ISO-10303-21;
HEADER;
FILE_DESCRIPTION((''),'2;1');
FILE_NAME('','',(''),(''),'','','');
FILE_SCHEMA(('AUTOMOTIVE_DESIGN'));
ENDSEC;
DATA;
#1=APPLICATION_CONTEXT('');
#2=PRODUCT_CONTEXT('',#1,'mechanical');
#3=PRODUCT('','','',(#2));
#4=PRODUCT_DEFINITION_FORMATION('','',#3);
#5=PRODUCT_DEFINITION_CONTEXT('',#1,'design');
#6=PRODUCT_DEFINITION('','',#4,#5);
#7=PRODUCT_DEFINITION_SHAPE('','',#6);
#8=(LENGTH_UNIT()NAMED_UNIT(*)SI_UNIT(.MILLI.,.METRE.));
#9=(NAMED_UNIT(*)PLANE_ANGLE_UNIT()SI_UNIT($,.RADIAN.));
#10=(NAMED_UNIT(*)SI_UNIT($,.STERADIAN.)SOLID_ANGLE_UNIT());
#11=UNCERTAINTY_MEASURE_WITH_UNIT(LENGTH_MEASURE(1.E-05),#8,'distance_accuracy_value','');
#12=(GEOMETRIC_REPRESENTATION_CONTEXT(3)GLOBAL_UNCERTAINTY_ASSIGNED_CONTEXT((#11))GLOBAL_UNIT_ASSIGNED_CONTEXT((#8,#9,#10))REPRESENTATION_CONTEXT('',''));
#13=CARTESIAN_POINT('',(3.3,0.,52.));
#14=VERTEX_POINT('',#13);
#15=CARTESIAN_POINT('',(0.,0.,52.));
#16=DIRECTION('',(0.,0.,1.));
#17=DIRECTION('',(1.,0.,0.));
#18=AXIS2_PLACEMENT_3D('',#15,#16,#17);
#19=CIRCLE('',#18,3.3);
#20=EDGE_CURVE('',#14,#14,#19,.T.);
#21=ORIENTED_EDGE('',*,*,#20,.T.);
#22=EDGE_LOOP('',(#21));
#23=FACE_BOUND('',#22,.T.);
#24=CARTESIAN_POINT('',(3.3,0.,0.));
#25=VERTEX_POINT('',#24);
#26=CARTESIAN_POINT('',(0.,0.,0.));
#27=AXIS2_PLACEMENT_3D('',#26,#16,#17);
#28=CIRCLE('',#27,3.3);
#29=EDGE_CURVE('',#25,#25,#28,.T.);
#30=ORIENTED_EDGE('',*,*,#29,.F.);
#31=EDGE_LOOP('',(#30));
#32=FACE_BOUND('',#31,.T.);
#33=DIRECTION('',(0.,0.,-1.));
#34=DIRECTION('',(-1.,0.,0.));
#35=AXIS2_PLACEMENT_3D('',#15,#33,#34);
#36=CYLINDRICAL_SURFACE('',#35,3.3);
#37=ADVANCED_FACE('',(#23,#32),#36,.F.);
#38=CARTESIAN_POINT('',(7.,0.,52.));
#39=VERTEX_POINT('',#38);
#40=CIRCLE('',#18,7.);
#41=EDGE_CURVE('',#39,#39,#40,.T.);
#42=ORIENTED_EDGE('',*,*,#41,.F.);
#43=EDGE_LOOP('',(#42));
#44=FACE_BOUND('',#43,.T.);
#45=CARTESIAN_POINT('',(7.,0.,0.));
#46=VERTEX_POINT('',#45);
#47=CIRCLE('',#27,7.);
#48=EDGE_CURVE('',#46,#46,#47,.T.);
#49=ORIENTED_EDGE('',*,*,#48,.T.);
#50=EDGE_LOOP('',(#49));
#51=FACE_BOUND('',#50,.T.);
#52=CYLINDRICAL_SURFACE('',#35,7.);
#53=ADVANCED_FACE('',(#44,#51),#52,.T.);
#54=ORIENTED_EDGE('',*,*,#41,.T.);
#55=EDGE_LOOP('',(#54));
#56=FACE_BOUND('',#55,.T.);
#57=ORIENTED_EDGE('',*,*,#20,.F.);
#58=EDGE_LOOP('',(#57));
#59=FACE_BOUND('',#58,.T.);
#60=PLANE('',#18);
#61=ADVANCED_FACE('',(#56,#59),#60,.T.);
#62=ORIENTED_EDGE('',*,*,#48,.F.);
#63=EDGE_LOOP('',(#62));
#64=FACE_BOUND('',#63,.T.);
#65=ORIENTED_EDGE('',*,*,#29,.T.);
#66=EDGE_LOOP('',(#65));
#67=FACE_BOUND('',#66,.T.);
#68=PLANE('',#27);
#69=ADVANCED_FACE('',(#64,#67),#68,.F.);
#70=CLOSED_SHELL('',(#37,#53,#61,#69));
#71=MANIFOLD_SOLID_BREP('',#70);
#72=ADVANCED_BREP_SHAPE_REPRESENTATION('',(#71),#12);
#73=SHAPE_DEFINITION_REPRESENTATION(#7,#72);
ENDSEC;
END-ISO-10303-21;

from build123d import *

# Parameters (mm, degrees)
S01_ANNULAR_SECTION_R      = 7
S01_ANNULAR_SECTION_R_2    = 3.3
F_01_ANNULAR_SECTION_DEPTH = 52


with BuildPart() as part:
    # S01 - Annular section → 01 - Annular section (new body)
    with BuildSketch(Plane.XY):
        Circle(S01_ANNULAR_SECTION_R)
        Circle(S01_ANNULAR_SECTION_R_2, mode=Mode.SUBTRACT)
    extrude(amount=F_01_ANNULAR_SECTION_DEPTH)


solid = part.part
